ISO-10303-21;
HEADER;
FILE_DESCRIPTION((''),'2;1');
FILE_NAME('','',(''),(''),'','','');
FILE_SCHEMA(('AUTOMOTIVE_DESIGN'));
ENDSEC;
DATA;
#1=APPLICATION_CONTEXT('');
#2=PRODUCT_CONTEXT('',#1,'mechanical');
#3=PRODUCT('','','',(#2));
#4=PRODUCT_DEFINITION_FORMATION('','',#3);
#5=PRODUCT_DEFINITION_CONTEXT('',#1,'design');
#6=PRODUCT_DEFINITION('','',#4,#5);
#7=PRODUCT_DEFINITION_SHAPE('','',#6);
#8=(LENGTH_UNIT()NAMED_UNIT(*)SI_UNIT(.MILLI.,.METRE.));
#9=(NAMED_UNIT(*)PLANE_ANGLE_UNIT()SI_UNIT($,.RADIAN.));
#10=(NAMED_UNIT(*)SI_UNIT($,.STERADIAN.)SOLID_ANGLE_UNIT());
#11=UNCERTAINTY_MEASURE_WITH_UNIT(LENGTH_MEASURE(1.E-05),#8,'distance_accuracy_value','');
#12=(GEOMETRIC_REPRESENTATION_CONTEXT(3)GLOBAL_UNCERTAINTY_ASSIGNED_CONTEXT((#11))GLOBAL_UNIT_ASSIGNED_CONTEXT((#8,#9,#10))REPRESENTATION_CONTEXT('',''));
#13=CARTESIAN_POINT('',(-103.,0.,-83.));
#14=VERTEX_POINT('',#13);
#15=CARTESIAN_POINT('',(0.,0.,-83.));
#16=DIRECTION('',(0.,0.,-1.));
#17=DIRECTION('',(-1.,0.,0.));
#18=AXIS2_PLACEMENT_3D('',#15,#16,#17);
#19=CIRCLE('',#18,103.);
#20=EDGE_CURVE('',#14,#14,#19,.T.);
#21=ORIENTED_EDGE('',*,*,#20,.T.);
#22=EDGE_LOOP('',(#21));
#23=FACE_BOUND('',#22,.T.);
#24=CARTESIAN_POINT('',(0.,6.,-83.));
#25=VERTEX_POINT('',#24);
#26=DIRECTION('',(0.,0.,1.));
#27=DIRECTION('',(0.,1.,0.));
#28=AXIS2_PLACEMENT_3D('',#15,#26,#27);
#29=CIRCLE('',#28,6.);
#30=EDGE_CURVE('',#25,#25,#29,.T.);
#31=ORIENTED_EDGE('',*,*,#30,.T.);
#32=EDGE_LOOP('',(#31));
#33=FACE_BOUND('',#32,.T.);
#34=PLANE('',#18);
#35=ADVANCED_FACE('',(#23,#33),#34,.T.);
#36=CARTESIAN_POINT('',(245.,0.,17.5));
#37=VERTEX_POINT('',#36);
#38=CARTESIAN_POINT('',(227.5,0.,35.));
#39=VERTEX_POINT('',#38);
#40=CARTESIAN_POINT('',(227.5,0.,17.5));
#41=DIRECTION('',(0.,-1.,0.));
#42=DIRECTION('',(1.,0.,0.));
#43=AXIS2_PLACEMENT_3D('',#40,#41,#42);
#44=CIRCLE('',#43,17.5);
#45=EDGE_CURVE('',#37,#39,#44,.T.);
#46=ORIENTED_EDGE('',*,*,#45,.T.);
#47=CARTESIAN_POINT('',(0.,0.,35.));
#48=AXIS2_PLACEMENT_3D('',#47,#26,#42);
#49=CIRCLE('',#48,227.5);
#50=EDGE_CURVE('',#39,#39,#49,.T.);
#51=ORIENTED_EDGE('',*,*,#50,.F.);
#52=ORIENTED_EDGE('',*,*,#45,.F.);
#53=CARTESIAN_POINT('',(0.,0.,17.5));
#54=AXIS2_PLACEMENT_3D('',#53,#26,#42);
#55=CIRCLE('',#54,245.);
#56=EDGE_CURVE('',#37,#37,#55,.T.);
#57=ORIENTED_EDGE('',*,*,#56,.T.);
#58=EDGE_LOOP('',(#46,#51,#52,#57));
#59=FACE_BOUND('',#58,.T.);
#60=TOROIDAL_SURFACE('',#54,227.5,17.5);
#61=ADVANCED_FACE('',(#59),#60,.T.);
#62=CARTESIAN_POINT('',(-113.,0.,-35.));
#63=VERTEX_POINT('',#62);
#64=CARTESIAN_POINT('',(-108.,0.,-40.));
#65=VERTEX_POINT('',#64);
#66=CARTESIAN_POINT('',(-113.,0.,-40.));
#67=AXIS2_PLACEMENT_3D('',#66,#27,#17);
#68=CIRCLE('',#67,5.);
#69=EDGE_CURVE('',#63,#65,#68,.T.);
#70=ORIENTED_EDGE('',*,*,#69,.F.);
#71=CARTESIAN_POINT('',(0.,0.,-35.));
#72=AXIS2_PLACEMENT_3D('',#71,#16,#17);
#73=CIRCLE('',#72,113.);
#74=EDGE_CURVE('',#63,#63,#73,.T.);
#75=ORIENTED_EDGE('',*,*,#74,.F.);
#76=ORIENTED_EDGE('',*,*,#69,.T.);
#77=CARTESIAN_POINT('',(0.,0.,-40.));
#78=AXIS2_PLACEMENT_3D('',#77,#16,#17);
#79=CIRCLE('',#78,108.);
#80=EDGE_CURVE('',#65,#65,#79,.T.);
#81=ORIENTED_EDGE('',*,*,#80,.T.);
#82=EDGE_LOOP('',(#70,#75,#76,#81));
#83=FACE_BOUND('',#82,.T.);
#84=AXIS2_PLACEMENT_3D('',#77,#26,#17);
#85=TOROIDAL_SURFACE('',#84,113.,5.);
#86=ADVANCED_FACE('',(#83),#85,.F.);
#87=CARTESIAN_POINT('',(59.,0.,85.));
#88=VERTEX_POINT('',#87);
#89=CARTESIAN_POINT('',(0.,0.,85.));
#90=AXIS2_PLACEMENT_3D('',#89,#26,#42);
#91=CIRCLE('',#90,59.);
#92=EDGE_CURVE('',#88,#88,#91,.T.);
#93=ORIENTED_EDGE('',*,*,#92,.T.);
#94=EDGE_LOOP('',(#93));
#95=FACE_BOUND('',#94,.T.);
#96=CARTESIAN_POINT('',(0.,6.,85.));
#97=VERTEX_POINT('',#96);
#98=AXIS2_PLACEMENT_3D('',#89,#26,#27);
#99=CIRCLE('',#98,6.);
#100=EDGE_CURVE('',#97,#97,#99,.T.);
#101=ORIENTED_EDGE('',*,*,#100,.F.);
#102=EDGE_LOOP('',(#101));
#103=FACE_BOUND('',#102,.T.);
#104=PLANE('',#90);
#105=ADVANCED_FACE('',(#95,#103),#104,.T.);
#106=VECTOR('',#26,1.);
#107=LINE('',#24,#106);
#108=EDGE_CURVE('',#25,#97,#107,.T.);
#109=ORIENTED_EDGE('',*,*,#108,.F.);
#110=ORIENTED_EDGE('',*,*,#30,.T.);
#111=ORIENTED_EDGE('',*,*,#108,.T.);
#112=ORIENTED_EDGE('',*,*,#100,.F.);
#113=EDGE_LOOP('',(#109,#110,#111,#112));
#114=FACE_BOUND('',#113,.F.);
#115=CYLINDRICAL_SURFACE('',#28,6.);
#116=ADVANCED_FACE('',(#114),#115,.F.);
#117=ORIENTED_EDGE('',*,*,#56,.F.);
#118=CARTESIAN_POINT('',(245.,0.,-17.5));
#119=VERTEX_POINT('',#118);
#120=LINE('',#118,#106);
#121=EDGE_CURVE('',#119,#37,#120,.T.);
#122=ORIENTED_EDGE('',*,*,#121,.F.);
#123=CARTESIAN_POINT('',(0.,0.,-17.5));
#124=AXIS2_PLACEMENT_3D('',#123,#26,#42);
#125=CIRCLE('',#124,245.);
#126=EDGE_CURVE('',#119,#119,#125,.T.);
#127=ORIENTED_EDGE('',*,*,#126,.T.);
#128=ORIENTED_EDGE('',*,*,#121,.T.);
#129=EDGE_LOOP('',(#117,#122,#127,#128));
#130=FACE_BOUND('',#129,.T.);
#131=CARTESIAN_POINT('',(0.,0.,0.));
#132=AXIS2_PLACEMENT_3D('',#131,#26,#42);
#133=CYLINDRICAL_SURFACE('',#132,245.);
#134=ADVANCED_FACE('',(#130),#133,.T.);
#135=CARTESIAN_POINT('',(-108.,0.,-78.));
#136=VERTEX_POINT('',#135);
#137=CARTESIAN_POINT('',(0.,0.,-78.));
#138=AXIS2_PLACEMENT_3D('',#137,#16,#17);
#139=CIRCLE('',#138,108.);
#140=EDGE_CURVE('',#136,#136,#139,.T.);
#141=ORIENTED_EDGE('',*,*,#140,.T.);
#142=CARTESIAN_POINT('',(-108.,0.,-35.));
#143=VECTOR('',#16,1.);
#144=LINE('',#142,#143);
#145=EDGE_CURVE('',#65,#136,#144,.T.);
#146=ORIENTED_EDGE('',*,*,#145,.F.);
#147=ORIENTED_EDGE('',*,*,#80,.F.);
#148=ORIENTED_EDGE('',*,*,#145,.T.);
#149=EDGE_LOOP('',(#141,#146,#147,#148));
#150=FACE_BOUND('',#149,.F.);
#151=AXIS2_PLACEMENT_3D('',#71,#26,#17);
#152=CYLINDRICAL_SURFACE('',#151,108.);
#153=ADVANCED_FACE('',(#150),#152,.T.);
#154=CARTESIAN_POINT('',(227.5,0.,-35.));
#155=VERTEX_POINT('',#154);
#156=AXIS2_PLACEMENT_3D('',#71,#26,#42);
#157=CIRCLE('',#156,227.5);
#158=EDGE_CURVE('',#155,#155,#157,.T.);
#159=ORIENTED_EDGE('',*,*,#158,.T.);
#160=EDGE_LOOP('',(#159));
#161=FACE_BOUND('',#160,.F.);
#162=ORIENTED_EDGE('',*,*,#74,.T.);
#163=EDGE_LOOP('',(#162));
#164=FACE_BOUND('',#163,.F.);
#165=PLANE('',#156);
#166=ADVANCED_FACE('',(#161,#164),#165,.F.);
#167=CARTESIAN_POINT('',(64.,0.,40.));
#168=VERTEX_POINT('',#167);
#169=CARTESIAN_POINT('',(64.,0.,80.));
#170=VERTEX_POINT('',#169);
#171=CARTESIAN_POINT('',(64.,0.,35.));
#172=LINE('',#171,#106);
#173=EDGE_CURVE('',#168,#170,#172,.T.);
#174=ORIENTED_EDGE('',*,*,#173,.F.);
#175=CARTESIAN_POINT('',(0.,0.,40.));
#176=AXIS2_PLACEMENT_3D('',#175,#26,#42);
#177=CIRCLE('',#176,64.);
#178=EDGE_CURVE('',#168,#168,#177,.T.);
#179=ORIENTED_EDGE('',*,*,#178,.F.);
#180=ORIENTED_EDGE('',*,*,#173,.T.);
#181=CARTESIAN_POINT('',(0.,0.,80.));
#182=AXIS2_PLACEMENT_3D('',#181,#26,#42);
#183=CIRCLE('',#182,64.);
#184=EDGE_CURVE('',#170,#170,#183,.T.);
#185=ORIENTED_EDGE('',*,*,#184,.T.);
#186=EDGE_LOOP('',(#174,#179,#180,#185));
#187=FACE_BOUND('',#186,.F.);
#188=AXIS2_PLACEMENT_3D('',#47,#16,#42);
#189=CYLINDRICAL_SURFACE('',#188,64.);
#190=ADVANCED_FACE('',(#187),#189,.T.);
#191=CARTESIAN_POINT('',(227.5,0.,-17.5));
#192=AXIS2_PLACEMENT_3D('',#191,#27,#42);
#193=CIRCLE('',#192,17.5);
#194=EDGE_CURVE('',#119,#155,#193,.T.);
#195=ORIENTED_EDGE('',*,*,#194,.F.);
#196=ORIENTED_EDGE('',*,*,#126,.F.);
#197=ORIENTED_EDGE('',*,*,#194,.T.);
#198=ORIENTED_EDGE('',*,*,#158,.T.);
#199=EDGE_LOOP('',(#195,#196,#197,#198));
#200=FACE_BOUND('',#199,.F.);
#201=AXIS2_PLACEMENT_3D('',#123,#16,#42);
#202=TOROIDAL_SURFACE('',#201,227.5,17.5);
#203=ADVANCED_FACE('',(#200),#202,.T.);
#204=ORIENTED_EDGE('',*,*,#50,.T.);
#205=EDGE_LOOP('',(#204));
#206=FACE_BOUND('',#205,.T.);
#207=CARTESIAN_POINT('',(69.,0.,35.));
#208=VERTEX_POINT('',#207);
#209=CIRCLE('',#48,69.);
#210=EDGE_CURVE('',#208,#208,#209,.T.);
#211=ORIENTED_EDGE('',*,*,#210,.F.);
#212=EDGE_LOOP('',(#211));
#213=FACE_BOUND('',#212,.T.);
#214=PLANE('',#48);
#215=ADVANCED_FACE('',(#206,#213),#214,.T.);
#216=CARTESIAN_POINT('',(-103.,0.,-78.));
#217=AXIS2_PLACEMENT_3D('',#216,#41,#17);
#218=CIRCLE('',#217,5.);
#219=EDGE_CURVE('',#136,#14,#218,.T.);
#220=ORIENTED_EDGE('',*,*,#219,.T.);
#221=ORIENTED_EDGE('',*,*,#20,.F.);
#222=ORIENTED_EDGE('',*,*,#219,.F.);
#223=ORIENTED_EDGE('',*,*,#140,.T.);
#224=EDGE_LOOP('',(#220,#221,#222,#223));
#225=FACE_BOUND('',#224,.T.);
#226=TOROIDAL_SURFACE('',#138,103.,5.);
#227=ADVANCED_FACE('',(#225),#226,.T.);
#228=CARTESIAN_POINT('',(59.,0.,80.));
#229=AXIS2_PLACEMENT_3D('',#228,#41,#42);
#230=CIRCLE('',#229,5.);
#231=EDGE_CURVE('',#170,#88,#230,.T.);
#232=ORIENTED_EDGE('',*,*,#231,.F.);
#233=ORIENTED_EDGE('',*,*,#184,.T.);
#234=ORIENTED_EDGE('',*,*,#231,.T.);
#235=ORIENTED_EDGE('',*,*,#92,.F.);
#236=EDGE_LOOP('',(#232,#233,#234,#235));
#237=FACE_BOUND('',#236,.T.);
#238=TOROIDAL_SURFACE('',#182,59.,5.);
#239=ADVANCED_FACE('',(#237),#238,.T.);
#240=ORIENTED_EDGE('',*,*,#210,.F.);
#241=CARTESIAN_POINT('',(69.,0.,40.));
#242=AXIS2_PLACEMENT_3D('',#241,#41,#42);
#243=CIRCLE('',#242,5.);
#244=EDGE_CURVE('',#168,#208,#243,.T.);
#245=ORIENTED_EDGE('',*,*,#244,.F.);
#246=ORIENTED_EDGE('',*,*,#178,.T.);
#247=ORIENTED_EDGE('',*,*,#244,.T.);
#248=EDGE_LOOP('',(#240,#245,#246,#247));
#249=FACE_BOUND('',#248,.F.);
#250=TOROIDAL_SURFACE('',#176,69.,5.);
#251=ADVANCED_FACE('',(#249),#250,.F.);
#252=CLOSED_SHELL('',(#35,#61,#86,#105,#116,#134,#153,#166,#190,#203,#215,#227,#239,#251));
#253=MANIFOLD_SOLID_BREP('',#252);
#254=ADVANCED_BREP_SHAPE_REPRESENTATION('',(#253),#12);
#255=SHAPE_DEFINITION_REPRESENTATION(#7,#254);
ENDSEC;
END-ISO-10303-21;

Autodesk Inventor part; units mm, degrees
ref_plane "YZ Plane" through (0, 0, 0) normal (1, 0, 0) x (0, 1, 0)
ref_plane "XZ Plane" through (0, 0, 0) normal (0, 1, 0) x (-1, 0, 0)
ref_plane "XY Plane" through (0, 0, 0) normal (0, 0, 1) x (1, 0, 0)
sketch "スケッチ1" plane through (0, 0, 0) normal (0, 0, 1) x (1, 0, 0)
  circle A0 centre (0, 0) radius 245
  dimension "d0" = 490
extrude "押し出し1" add sketch "スケッチ1" along normal mid plane 70
fillet "フィレット1" radius 17.5 2 edges at (-245, 0, 35) (-245, 0, -35)
sketch "スケッチ8" plane through (0, 0, 35) normal (0, 0, 1) x (1, 0, 0)
  circle A0 centre (0, 0) radius 64
  dimension "d11" = 128
extrude "押し出し2" add sketch "スケッチ8" along normal blind 50
sketch "スケッチ9" plane through (0, 0, -35) normal (0, 0, -1) x (-1, 0, 0)
  circle A0 centre (0, 0) radius 108
  dimension "d14" = 216
extrude "押し出し3" add sketch "スケッチ9" along normal blind 48
fillet "フィレット2" radius 5 1 edges at (-64, 0, 85)
fillet "フィレット3" radius 5 1 edges at (-64, 0, 35)
fillet "フィレット4" radius 5 2 edges at (108, 0, -83) (108, 0, -35)
sketch "スケッチ10" plane through (0, 0, -83) normal (0, 0, -1) x (-1, 0, 0)
  point P0 (0, 0)
  point P1 (0, 0)
hole "穴2" at (0, 0, -83) direction (0, 0, 1) diameter 12 end through all
sketch "スケッチ12" plane through (0, 0, 85) normal (0, 0, 1) x (1, 0, 0)
  line L0 (-51.2549, 22.4229) -> (29.3453, 22.4229) construction
  line L1 (29.3453, 22.4229) -> (29.3453, -28.267) construction
  line L2 (29.3453, -28.267) -> (-51.2549, -28.267) construction
  line L3 (-51.2549, -28.267) -> (-51.2549, 22.4229) construction
  point P0 (0, 0)
sketch "スケッチ13" plane through (0, 0, -83) normal (0, 0, -1) x (-1, 0, 0)
  line L0 (-79.0903, 45.7594) -> (75.7007, 45.7594) construction
  line L1 (75.7007, 45.7594) -> (75.7007, -24.292) construction
  line L2 (75.7007, -24.292) -> (-79.0903, -24.292) construction
  line L3 (-79.0903, -24.292) -> (-79.0903, 45.7594) construction
  point P0 (0, 0)
sketch "スケッチ14" plane through (0, 0, -35) normal (0, 0, -1) x (-1, 0, 0)
  line L0 (-67.9, 178.6198) -> (94.9078, 178.6198) construction
  line L1 (94.9078, 178.6198) -> (94.9078, 134.9225) construction
  line L2 (94.9078, 134.9225) -> (-67.9, 134.9225) construction
  line L3 (-67.9, 134.9225) -> (-67.9, 178.6198) construction
  point P0 (0, 0)
properties part number "前輪"
